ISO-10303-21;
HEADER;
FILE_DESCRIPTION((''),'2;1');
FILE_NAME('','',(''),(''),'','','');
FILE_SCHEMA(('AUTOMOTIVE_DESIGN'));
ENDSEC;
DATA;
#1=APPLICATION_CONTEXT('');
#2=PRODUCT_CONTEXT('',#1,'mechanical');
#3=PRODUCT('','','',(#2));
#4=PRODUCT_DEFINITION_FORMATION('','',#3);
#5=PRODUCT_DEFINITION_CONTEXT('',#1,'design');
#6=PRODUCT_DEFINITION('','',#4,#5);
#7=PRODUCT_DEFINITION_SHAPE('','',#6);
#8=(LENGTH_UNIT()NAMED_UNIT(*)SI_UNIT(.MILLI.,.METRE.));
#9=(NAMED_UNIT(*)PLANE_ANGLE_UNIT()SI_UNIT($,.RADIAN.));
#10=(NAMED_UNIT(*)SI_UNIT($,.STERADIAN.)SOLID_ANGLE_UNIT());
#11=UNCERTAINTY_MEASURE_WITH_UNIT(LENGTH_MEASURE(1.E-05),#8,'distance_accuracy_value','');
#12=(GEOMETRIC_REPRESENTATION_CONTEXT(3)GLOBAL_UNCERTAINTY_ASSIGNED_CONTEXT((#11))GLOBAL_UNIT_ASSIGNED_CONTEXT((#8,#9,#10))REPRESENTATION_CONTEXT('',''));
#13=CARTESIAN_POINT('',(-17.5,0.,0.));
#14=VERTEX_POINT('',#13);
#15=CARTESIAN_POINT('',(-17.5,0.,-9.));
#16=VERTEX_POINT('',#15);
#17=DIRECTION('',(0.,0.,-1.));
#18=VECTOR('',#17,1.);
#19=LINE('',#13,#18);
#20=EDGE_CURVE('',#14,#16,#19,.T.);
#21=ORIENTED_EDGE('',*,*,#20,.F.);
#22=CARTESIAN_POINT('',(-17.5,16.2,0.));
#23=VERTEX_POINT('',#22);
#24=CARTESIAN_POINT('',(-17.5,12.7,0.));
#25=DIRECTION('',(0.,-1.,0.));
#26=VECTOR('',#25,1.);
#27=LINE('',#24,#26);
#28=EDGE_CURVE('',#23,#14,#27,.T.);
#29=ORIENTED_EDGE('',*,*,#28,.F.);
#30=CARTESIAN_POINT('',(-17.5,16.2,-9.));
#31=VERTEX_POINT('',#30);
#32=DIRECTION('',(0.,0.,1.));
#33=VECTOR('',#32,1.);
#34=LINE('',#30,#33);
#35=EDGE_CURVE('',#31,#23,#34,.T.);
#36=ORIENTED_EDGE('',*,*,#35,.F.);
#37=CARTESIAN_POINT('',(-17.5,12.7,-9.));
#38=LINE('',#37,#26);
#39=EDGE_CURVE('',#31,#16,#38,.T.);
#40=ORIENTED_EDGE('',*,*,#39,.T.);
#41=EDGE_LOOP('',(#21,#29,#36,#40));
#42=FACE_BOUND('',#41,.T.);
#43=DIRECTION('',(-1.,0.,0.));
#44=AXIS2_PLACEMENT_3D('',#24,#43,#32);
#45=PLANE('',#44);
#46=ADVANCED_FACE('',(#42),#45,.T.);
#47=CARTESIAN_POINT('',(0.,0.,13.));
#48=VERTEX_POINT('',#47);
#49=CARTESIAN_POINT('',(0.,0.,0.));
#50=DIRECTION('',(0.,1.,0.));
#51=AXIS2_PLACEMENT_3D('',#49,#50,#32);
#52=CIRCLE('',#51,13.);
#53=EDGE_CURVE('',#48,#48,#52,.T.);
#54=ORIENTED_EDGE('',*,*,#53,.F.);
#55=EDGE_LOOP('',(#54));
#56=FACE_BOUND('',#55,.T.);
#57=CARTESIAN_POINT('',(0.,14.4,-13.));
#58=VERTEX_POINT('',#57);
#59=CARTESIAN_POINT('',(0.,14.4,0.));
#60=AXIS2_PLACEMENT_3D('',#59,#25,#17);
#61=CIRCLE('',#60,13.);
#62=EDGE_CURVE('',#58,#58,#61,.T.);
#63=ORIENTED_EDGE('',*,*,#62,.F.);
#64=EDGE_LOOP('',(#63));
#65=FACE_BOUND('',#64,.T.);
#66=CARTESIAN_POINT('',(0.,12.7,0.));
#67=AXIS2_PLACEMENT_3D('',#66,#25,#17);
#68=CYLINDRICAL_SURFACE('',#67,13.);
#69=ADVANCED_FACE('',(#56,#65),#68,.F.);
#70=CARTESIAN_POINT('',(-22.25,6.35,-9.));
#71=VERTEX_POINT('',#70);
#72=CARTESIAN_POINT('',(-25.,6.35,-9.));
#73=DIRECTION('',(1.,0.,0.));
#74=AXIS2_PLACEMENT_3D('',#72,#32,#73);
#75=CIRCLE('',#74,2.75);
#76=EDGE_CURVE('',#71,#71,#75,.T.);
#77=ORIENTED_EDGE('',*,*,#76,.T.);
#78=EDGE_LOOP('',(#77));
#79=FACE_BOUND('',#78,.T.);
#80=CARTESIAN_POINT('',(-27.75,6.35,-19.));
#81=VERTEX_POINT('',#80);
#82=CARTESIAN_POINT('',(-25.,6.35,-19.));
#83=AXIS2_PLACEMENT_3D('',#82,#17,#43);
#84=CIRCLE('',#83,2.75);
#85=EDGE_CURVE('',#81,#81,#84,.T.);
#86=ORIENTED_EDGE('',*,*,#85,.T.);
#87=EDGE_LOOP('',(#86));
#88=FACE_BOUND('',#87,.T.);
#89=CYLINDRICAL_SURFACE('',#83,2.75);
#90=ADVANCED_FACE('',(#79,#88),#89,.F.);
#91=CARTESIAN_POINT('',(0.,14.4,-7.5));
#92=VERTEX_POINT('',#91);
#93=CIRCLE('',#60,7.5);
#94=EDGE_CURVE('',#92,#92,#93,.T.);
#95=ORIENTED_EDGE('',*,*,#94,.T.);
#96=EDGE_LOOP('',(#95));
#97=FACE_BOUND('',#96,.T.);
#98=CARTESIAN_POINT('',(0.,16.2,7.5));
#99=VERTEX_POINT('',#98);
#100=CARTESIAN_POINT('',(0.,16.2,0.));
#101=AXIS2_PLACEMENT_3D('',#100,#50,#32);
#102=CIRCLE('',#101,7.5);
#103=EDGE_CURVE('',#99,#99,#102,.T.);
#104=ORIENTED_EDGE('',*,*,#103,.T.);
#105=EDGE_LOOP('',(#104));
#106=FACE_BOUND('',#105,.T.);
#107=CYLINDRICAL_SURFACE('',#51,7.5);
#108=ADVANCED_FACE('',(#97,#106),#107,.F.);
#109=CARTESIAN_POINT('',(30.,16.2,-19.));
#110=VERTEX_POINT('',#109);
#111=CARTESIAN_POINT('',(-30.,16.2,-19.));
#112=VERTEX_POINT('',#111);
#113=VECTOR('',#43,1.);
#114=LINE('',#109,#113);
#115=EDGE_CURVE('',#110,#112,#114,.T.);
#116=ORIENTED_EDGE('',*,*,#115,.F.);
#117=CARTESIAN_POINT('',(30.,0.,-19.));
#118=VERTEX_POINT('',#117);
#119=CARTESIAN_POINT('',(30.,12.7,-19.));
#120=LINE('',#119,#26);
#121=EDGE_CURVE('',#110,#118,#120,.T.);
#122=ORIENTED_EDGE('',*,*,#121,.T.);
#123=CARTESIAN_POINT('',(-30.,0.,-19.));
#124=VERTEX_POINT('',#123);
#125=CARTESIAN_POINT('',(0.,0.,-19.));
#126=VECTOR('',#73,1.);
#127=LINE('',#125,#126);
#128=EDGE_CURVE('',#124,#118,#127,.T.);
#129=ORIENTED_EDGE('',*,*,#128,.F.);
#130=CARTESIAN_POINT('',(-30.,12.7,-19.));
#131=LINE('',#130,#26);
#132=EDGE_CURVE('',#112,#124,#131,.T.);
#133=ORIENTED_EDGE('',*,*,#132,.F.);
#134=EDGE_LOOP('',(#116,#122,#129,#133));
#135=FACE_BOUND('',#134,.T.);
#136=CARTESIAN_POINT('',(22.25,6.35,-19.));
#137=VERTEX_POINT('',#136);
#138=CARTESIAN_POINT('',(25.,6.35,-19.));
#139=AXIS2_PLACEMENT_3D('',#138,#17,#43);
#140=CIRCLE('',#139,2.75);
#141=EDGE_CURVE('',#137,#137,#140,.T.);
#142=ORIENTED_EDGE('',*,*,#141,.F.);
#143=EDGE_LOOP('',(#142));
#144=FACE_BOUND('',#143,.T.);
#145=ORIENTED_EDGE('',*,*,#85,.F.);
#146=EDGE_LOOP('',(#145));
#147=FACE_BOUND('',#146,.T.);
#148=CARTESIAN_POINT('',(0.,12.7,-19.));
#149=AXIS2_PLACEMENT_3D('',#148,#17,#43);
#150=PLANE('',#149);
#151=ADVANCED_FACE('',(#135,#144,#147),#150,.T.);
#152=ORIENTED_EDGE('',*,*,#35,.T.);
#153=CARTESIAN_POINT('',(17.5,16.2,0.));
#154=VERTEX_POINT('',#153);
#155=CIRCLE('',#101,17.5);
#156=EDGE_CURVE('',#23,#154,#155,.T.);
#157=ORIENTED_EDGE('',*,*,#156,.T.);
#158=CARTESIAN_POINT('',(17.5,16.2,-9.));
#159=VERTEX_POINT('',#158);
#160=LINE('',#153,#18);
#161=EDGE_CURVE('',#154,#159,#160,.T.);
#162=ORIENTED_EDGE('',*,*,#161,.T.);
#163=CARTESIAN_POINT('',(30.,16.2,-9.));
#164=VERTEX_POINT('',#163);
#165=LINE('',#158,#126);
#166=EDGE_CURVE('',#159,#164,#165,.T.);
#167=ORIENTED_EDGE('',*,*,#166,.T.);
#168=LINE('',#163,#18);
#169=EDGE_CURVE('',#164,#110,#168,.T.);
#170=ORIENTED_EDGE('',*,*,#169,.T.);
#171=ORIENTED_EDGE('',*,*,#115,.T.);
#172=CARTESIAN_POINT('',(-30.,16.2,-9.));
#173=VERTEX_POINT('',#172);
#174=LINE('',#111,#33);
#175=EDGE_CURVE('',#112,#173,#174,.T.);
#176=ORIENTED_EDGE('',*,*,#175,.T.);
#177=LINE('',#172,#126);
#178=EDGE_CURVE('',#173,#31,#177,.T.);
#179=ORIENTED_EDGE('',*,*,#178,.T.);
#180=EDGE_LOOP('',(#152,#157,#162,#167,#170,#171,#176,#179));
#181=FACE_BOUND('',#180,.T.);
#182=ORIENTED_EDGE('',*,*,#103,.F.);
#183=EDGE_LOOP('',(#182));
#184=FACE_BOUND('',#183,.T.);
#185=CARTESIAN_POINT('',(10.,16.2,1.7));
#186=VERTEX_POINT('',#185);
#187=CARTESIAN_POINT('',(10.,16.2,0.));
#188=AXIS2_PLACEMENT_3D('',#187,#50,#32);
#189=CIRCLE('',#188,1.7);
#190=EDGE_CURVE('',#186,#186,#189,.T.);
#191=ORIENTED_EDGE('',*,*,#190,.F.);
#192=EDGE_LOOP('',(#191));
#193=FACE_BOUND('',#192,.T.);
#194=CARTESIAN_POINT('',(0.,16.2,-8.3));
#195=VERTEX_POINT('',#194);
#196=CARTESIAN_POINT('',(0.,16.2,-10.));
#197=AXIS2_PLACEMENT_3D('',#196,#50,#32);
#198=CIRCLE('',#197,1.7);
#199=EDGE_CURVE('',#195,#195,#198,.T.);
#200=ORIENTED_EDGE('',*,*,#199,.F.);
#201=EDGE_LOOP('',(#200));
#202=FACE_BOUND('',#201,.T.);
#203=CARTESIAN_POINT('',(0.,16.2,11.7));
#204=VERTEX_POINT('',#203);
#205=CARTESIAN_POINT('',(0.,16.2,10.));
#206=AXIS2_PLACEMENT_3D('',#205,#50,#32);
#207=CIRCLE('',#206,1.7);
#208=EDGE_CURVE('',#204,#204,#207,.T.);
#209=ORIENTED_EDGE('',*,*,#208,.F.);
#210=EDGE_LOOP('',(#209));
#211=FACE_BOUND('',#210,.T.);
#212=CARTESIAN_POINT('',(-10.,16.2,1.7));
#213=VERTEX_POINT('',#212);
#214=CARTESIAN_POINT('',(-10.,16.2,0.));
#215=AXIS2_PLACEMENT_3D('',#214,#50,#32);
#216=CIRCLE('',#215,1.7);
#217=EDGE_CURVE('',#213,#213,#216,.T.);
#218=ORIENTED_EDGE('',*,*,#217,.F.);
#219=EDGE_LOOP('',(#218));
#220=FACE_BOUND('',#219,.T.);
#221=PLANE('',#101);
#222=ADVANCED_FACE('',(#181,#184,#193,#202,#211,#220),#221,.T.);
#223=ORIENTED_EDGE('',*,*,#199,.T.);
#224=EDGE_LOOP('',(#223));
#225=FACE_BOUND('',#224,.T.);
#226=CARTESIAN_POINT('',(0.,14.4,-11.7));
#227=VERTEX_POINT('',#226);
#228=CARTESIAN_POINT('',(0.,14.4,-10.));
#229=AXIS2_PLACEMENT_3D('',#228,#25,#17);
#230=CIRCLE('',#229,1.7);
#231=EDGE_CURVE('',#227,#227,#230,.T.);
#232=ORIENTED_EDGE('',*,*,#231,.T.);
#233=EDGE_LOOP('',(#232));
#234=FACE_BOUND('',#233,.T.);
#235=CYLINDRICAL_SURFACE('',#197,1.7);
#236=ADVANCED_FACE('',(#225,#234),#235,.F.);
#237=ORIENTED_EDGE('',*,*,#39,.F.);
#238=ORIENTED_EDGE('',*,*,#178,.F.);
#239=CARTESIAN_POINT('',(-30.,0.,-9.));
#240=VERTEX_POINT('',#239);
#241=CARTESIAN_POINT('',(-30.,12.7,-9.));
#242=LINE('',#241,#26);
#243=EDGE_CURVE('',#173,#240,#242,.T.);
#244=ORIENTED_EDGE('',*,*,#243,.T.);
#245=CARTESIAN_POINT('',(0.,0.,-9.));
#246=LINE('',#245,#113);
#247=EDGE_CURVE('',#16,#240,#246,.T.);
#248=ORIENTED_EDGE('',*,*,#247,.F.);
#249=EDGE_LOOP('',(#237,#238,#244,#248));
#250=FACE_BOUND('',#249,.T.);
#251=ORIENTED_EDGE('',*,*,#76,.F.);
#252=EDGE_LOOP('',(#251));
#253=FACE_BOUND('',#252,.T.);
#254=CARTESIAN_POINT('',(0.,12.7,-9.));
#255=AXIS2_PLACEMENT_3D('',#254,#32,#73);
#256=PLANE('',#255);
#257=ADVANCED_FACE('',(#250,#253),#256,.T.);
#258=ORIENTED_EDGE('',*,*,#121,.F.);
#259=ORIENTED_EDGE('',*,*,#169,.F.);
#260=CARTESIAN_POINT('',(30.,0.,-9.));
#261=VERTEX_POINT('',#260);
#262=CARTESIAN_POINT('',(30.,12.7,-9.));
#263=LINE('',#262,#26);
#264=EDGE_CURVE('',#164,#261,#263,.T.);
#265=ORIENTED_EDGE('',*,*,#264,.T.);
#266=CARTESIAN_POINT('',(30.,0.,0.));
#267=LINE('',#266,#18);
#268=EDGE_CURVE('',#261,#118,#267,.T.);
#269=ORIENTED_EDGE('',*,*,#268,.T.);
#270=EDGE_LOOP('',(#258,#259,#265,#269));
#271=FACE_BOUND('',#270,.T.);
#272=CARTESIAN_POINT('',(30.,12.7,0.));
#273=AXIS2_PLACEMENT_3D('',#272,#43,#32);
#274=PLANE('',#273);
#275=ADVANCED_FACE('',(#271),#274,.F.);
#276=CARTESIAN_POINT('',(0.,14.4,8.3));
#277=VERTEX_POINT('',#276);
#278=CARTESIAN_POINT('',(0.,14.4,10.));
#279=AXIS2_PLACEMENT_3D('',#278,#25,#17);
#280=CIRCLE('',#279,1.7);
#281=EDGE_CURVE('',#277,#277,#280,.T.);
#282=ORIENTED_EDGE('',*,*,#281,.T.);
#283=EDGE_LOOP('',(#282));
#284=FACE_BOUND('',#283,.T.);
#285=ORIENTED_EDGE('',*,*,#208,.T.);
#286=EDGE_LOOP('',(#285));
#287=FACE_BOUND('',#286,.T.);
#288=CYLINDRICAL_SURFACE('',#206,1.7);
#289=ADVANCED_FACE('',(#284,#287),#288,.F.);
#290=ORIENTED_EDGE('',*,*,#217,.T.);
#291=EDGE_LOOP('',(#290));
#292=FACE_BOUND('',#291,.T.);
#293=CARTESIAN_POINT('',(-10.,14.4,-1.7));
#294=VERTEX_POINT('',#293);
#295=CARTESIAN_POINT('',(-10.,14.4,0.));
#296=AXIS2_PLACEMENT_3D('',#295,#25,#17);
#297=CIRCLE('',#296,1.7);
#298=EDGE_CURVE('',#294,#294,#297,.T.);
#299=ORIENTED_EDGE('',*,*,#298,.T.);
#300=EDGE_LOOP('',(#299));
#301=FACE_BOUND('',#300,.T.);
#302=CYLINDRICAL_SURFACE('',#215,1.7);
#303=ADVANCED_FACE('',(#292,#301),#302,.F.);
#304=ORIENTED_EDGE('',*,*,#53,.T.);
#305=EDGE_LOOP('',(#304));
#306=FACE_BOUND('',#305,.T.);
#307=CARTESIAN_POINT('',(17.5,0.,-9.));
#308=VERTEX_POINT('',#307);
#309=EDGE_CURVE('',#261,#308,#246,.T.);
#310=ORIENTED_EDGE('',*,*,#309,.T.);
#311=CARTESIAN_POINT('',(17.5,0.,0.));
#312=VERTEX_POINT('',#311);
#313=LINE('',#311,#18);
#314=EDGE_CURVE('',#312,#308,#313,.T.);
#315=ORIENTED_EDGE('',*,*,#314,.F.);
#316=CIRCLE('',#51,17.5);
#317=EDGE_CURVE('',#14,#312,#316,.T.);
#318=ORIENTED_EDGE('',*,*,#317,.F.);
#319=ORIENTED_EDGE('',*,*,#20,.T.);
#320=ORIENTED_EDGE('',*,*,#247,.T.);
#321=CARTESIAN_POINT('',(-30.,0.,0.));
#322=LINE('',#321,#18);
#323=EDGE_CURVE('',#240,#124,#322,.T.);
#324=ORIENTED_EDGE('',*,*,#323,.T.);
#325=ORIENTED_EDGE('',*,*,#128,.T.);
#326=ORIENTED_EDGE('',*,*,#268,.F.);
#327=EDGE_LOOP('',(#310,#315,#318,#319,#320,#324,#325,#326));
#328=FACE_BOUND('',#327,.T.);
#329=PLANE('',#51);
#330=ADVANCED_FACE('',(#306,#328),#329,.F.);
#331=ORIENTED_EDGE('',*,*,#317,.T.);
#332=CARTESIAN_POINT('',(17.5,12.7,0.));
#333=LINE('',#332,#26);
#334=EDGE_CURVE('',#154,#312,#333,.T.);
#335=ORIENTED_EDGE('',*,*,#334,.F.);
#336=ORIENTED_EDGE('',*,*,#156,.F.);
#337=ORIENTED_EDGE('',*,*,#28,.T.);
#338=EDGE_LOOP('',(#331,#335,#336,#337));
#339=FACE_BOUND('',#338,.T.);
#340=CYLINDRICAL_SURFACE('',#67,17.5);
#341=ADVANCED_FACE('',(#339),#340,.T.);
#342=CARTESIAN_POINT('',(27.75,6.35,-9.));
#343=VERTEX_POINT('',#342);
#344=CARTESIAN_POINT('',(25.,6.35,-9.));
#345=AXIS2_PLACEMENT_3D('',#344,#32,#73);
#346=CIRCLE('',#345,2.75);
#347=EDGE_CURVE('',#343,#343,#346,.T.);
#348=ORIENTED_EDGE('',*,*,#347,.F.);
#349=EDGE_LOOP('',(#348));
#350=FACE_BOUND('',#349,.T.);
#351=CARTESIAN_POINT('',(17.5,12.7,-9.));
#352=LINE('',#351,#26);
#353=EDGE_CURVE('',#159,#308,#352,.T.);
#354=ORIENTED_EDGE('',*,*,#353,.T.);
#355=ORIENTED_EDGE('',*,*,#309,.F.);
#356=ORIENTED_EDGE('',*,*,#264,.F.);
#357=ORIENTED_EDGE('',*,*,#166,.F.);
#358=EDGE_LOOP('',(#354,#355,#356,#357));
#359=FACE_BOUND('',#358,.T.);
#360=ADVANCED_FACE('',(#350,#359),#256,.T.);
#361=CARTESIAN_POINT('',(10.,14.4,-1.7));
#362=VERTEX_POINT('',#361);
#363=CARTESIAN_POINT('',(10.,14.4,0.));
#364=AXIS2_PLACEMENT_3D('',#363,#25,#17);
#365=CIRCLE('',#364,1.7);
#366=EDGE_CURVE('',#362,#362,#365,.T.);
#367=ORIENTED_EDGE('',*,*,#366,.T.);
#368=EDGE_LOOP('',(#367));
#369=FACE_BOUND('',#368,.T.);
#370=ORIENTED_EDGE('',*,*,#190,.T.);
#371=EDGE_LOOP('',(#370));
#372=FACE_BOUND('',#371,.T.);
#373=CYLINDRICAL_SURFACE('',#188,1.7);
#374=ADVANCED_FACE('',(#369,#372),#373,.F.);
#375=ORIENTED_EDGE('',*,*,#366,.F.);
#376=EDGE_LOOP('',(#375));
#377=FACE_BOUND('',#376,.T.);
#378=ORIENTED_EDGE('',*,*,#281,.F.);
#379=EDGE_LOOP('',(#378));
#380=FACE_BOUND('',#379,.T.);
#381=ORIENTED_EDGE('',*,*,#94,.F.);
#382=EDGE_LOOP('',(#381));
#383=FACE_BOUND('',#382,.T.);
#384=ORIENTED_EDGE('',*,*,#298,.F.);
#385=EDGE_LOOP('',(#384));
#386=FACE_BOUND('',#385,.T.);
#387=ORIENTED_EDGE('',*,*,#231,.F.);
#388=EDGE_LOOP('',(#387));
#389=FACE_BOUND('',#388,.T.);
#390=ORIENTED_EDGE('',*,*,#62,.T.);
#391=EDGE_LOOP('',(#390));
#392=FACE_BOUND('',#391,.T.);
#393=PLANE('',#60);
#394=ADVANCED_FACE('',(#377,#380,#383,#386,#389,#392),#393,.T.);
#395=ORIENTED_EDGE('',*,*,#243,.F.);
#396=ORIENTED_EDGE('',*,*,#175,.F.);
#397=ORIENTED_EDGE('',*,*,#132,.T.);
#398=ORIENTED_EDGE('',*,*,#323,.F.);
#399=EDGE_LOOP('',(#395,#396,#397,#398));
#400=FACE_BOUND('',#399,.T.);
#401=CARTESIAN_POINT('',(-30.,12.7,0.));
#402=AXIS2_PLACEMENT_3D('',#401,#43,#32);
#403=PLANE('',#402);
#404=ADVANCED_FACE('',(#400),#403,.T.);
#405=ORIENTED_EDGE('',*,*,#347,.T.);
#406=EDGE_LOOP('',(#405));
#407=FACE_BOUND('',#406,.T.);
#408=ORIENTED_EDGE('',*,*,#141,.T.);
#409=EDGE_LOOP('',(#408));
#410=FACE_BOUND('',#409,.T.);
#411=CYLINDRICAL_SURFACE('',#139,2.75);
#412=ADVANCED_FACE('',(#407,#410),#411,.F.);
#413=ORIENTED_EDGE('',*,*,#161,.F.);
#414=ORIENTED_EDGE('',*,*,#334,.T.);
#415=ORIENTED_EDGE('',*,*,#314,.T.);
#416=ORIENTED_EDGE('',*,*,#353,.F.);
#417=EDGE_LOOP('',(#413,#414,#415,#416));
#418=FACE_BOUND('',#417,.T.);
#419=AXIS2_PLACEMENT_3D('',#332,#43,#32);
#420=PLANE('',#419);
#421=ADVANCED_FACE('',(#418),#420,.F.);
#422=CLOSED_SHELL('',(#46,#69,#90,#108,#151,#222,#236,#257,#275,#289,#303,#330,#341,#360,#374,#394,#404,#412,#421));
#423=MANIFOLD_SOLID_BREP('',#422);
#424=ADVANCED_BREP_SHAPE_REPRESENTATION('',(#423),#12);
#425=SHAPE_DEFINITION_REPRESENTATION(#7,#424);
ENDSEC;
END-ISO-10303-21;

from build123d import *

# Parameters (mm, degrees)
SKETCH2_R                = 13
BOSS_EXTRUDE1_DEPTH      = 12.7
M5_CLEARANCE_HOLE1_D     = 5.5
M5_CLEARANCE_HOLE1_DEPTH = 10.1
M5_CLEARANCE_HOLE1_TIP   = 1.652366702
BOSS_EXTRUDE2_DEPTH      = 3.5
SKETCH10_R               = 13
CUT_EXTRUDE1_DEPTH       = 1.7
SKETCH11_R               = 7.5
CUT_EXTRUDE2_DEPTH       = 17.2
M3_CLEARANCE_HOLE1_D     = 3.4
M3_CLEARANCE_HOLE1_DEPTH = 7.5
M3_CLEARANCE_HOLE1_TIP   = 1.021463052


with BuildPart() as part:
    # Sketch2 → Boss-Extrude1 (new body)
    with BuildSketch(Plane(origin=(0, 0, 0), x_dir=(1, 0, 0), z_dir=(0, 1, 0))):
        with BuildLine():
            Line((-30, 9), (-17.5, 9))
            Line((-17.5, 9), (-17.5, 0))
            ThreePointArc((-17.5, 0), (0, -17.5), (17.5, 0))
            Line((17.5, 0), (17.5, 9))
            Line((17.5, 9), (30, 9))
            Line((30, 9), (30, 19))
            Line((30, 19), (-30, 19))
            Line((-30, 19), (-30, 9))
        make_face()
        Circle(SKETCH2_R, mode=Mode.SUBTRACT)
    extrude(amount=BOSS_EXTRUDE1_DEPTH)

    # M5 Clearance Hole1
    with Locations(Plane(origin=(-25, 6.35, -19), x_dir=(-1, 0, 0), z_dir=(0, 0, -1))):
        with Locations((0, 0), (-50, 0)):
            Hole(M5_CLEARANCE_HOLE1_D / 2, depth=M5_CLEARANCE_HOLE1_DEPTH)
            with Locations((0, 0, -(M5_CLEARANCE_HOLE1_DEPTH + M5_CLEARANCE_HOLE1_TIP / 2))):  # 118° drill point
                Cone(0, M5_CLEARANCE_HOLE1_D / 2, M5_CLEARANCE_HOLE1_TIP, mode=Mode.SUBTRACT)

    # Sketch9 → Boss-Extrude2 (add)
    with BuildSketch(Plane(origin=(0, 12.7, 0), x_dir=(1, 0, 0), z_dir=(0, 1, 0))):
        with BuildLine():
            Line((-30, 9), (-17.5, 9))
            Line((-17.5, 9), (-17.5, 0))
            ThreePointArc((-17.5, 0), (0, -17.5), (17.5, 0))
            Line((17.5, 0), (17.5, 9))
            Line((17.5, 9), (30, 9))
            Line((30, 9), (30, 19))
            Line((30, 19), (-30, 19))
            Line((-30, 19), (-30, 9))
        make_face()
    extrude(amount=BOSS_EXTRUDE2_DEPTH)

    # Sketch10 → Cut-Extrude1 (cut)
    with BuildSketch(Plane.XZ.offset(-12.7)):
        Circle(SKETCH10_R)
    extrude(amount=-CUT_EXTRUDE1_DEPTH, mode=Mode.SUBTRACT)

    # Sketch11 → Cut-Extrude2 (cut, through all)
    with BuildSketch(Plane(origin=(0, 16.2, 0), x_dir=(1, 0, 0), z_dir=(0, 1, 0))):
        Circle(SKETCH11_R)
    extrude(amount=-CUT_EXTRUDE2_DEPTH, mode=Mode.SUBTRACT)

    # M3 Clearance Hole1
    with Locations(Plane(origin=(-10, 16.2, 0), x_dir=(0, 0, 1), z_dir=(0, 1, 0))):
        with Locations((0, 0), (10, 10), (0, 20), (-10, 10)):
            Hole(M3_CLEARANCE_HOLE1_D / 2, depth=M3_CLEARANCE_HOLE1_DEPTH)
            with Locations((0, 0, -(M3_CLEARANCE_HOLE1_DEPTH + M3_CLEARANCE_HOLE1_TIP / 2))):  # 118° drill point
                Cone(0, M3_CLEARANCE_HOLE1_D / 2, M3_CLEARANCE_HOLE1_TIP, mode=Mode.SUBTRACT)


solid = part.part
